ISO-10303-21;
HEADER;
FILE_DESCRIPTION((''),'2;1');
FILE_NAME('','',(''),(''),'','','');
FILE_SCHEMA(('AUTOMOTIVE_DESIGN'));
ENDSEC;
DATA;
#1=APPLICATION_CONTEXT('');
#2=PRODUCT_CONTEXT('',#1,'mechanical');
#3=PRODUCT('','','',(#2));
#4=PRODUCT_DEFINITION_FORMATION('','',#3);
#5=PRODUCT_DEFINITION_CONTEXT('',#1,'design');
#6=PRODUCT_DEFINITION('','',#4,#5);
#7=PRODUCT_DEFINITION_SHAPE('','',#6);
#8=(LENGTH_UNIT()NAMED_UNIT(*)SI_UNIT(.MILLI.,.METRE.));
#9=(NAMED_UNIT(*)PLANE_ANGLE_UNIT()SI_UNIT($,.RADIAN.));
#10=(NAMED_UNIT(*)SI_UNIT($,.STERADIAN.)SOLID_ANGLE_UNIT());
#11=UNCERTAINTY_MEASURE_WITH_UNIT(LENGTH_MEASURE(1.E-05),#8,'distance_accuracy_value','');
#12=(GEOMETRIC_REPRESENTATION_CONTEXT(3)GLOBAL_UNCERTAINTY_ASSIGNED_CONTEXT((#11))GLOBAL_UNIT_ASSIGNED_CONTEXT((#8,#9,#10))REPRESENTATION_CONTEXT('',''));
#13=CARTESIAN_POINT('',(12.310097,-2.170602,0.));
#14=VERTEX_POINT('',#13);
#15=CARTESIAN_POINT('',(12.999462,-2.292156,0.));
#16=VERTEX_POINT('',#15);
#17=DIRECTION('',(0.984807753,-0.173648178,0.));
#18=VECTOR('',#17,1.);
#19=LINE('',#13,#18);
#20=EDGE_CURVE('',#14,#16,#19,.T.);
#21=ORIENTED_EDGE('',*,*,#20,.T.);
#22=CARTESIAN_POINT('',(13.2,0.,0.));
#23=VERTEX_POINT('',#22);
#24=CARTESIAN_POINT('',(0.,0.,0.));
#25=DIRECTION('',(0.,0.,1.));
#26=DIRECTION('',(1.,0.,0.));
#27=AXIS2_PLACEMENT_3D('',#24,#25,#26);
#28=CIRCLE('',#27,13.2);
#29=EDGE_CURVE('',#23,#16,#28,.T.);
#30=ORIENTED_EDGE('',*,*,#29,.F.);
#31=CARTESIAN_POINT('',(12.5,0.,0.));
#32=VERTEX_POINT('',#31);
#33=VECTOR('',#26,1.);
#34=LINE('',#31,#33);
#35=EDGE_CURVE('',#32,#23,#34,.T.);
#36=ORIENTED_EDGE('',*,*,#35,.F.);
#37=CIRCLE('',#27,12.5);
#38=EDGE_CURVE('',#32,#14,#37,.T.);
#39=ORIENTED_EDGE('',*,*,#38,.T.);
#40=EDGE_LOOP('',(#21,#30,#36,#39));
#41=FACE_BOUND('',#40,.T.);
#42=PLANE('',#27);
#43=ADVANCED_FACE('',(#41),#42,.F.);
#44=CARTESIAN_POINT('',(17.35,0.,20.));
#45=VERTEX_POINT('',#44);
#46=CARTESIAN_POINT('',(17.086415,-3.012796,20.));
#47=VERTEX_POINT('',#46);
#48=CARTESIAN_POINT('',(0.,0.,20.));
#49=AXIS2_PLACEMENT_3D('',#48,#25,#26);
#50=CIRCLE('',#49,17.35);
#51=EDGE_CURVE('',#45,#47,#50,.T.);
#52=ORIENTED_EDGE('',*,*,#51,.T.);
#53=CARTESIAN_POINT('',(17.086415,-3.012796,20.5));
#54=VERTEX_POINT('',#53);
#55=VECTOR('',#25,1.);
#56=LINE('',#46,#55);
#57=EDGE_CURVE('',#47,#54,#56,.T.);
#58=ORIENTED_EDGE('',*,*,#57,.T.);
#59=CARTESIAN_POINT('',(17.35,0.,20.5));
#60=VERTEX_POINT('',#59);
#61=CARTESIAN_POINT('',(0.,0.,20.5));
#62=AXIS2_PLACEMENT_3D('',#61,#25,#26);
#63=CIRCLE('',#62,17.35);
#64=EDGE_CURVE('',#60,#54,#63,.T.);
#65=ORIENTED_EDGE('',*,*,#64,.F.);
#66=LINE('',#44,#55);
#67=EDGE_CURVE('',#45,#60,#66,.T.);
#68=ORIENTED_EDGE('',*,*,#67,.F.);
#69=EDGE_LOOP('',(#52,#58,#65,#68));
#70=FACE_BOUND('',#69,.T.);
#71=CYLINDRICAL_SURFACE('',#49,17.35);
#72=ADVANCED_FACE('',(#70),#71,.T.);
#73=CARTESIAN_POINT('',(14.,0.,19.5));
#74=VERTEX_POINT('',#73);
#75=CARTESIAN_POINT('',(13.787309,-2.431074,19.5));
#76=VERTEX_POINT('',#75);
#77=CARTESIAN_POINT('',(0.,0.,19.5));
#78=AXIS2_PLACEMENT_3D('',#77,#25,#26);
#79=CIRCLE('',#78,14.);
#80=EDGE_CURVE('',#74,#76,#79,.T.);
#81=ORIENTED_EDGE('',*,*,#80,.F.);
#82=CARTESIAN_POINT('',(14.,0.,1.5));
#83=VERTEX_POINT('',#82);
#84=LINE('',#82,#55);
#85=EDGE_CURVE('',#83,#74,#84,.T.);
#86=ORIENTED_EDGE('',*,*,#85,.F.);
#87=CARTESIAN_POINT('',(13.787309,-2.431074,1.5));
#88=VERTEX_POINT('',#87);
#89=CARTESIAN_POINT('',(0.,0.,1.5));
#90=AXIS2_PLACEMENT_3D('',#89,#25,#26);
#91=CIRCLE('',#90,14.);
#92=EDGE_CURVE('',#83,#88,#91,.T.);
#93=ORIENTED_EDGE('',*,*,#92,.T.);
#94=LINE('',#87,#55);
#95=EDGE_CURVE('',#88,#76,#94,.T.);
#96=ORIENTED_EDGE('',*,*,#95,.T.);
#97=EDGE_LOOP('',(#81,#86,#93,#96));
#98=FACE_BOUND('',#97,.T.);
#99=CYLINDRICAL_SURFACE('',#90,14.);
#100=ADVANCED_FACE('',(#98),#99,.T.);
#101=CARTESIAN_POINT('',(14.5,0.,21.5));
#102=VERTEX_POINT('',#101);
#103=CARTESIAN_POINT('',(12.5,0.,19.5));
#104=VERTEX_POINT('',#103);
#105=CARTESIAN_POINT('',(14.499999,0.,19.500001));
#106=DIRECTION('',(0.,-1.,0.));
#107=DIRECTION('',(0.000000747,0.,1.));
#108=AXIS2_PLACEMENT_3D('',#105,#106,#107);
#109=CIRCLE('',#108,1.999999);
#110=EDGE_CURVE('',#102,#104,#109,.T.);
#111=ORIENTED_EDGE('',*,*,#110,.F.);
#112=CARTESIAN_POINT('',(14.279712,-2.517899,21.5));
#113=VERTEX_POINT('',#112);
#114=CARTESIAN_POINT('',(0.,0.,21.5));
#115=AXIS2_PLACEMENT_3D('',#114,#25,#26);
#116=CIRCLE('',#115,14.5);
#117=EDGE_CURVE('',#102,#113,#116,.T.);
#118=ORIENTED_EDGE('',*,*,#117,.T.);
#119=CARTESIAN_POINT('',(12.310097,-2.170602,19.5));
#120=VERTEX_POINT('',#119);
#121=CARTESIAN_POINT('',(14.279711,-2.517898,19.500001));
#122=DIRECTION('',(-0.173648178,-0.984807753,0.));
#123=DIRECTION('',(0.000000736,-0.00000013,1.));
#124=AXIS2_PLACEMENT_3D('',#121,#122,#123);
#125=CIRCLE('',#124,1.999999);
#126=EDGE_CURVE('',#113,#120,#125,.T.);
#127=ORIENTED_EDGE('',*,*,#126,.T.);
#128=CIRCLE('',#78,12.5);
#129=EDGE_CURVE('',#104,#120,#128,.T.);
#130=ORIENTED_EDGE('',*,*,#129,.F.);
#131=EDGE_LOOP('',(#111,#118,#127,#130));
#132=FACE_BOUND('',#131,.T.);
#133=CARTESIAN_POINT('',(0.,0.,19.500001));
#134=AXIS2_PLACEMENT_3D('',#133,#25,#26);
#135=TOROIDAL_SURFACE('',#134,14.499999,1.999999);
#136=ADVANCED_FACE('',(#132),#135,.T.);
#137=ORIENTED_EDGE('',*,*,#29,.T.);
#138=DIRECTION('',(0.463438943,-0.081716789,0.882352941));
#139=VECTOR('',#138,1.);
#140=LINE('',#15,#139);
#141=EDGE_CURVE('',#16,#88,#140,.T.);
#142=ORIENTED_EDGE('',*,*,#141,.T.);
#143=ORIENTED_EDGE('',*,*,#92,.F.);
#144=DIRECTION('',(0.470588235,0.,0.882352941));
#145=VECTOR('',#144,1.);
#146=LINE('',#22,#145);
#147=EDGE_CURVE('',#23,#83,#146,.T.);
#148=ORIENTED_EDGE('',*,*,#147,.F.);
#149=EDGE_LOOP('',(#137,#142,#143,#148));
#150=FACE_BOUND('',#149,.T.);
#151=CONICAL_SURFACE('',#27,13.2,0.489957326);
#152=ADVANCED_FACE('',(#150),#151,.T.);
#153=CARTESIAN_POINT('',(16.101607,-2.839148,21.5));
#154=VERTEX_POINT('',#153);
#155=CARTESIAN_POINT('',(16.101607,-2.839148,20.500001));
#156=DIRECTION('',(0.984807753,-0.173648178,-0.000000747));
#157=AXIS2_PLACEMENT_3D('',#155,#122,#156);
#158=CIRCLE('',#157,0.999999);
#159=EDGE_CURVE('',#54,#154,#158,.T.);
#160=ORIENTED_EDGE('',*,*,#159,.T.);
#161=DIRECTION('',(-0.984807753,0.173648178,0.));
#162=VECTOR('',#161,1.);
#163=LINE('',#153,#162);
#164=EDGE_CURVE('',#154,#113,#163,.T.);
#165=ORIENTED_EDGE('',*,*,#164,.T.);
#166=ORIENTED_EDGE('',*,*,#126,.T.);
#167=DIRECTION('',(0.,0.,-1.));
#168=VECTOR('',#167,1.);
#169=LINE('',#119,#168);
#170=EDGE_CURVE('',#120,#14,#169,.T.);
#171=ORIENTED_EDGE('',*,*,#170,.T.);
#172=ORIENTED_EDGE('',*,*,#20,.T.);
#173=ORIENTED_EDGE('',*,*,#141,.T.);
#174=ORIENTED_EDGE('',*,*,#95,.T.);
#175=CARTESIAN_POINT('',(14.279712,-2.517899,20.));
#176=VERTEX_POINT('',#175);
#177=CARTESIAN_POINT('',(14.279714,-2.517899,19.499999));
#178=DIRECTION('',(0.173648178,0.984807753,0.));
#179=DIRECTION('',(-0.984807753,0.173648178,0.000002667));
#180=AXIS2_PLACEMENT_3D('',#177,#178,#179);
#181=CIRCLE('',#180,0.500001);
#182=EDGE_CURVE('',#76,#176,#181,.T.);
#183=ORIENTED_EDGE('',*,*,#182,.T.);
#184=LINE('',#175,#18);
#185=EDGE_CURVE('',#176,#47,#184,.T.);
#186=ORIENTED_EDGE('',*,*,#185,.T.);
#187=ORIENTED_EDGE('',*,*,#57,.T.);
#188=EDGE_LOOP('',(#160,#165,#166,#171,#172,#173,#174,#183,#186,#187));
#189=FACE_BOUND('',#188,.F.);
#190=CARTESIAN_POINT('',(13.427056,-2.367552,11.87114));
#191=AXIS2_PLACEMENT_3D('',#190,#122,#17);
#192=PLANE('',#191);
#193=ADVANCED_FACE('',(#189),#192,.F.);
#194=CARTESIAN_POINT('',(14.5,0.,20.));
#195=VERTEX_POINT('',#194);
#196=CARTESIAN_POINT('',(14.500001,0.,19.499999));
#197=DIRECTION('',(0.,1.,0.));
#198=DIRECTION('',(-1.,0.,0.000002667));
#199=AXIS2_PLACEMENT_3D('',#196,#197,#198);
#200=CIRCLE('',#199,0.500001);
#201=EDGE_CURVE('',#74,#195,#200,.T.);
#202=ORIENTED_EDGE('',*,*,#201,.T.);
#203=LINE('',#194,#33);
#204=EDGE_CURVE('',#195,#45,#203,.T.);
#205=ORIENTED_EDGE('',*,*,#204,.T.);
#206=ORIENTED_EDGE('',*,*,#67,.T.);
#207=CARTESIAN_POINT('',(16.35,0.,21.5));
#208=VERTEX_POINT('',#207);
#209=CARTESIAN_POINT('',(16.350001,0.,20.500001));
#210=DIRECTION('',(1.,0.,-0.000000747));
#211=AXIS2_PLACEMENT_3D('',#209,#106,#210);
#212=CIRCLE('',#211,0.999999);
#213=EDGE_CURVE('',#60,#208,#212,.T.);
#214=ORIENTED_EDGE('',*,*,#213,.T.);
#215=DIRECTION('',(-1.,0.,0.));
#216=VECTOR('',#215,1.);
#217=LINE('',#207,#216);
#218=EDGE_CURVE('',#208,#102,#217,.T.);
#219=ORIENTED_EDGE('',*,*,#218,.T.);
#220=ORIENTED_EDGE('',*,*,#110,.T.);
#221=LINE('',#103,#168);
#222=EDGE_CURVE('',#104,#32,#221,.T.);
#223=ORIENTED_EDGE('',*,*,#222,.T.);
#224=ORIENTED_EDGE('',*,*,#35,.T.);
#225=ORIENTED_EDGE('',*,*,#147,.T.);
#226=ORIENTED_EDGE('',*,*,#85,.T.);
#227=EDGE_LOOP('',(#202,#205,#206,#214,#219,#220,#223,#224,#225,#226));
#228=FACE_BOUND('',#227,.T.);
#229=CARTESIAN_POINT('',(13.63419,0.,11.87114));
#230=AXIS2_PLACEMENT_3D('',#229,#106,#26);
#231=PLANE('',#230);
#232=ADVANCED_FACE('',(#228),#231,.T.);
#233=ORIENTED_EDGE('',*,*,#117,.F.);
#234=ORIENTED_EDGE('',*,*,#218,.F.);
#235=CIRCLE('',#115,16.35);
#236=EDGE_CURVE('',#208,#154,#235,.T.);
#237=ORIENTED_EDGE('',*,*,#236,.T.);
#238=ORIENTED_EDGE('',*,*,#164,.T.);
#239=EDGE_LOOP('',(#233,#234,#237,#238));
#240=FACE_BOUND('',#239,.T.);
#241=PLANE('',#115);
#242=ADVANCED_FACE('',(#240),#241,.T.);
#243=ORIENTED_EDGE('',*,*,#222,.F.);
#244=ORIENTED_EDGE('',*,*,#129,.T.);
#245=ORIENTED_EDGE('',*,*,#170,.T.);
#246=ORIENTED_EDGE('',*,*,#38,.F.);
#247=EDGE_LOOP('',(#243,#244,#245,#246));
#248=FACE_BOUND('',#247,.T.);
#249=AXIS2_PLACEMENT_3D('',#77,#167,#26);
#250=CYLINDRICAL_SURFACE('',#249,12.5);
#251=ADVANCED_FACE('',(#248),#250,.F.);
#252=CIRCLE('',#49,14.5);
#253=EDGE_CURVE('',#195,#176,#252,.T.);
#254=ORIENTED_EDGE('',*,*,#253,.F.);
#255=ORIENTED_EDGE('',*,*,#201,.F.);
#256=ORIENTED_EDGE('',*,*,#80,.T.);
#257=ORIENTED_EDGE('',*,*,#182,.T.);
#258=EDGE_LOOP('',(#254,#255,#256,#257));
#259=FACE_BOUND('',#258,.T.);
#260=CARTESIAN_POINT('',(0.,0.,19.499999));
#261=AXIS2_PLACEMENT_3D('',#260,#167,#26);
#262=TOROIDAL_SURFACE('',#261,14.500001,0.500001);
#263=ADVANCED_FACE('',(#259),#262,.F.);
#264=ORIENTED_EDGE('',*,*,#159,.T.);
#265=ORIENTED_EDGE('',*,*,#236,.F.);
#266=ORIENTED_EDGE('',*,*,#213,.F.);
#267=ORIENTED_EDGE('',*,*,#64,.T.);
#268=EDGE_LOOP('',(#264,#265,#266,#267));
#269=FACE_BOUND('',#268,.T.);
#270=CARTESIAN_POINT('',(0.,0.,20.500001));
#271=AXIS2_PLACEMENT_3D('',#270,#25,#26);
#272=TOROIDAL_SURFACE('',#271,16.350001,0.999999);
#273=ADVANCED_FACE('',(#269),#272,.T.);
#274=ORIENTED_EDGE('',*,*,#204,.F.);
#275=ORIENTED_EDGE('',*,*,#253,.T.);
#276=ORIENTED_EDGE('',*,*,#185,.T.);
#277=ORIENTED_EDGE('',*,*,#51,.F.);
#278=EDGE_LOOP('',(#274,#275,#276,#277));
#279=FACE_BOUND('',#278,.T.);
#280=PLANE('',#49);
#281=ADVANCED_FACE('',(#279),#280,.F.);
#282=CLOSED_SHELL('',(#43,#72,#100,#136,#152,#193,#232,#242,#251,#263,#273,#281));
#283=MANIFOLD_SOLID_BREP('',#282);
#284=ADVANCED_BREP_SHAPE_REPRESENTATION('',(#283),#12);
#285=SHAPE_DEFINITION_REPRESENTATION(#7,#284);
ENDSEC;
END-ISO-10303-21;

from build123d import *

# Parameters (mm, degrees)
F1_ANGLE = 350


with BuildPart() as f1:
    # F0 (on Front) → F1 (revolve)
    with BuildSketch(Plane.XZ):
        with BuildLine():
            Line((12.5, 19.5), (12.5, 0))
            Line((12.5, 0), (13.2, 0))
            Line((13.2, 0), (14, 1.5))
            Line((14, 1.5), (14, 19.5))
            ThreePointArc((14, 19.5), (14.146447, 19.853553), (14.5, 20))
            Line((14.5, 20), (17.35, 20))
            Line((17.35, 20), (17.35, 20.5))
            ThreePointArc((17.35, 20.5), (17.057107, 21.207107), (16.35, 21.5))
            Line((16.35, 21.5), (14.5, 21.5))
            ThreePointArc((14.5, 21.5), (13.085786, 20.914214), (12.5, 19.5))
        make_face()
    revolve(axis=Axis((0, 0, 24.386095), (0, 0, 1)), revolution_arc=F1_ANGLE)


solid = f1.part
